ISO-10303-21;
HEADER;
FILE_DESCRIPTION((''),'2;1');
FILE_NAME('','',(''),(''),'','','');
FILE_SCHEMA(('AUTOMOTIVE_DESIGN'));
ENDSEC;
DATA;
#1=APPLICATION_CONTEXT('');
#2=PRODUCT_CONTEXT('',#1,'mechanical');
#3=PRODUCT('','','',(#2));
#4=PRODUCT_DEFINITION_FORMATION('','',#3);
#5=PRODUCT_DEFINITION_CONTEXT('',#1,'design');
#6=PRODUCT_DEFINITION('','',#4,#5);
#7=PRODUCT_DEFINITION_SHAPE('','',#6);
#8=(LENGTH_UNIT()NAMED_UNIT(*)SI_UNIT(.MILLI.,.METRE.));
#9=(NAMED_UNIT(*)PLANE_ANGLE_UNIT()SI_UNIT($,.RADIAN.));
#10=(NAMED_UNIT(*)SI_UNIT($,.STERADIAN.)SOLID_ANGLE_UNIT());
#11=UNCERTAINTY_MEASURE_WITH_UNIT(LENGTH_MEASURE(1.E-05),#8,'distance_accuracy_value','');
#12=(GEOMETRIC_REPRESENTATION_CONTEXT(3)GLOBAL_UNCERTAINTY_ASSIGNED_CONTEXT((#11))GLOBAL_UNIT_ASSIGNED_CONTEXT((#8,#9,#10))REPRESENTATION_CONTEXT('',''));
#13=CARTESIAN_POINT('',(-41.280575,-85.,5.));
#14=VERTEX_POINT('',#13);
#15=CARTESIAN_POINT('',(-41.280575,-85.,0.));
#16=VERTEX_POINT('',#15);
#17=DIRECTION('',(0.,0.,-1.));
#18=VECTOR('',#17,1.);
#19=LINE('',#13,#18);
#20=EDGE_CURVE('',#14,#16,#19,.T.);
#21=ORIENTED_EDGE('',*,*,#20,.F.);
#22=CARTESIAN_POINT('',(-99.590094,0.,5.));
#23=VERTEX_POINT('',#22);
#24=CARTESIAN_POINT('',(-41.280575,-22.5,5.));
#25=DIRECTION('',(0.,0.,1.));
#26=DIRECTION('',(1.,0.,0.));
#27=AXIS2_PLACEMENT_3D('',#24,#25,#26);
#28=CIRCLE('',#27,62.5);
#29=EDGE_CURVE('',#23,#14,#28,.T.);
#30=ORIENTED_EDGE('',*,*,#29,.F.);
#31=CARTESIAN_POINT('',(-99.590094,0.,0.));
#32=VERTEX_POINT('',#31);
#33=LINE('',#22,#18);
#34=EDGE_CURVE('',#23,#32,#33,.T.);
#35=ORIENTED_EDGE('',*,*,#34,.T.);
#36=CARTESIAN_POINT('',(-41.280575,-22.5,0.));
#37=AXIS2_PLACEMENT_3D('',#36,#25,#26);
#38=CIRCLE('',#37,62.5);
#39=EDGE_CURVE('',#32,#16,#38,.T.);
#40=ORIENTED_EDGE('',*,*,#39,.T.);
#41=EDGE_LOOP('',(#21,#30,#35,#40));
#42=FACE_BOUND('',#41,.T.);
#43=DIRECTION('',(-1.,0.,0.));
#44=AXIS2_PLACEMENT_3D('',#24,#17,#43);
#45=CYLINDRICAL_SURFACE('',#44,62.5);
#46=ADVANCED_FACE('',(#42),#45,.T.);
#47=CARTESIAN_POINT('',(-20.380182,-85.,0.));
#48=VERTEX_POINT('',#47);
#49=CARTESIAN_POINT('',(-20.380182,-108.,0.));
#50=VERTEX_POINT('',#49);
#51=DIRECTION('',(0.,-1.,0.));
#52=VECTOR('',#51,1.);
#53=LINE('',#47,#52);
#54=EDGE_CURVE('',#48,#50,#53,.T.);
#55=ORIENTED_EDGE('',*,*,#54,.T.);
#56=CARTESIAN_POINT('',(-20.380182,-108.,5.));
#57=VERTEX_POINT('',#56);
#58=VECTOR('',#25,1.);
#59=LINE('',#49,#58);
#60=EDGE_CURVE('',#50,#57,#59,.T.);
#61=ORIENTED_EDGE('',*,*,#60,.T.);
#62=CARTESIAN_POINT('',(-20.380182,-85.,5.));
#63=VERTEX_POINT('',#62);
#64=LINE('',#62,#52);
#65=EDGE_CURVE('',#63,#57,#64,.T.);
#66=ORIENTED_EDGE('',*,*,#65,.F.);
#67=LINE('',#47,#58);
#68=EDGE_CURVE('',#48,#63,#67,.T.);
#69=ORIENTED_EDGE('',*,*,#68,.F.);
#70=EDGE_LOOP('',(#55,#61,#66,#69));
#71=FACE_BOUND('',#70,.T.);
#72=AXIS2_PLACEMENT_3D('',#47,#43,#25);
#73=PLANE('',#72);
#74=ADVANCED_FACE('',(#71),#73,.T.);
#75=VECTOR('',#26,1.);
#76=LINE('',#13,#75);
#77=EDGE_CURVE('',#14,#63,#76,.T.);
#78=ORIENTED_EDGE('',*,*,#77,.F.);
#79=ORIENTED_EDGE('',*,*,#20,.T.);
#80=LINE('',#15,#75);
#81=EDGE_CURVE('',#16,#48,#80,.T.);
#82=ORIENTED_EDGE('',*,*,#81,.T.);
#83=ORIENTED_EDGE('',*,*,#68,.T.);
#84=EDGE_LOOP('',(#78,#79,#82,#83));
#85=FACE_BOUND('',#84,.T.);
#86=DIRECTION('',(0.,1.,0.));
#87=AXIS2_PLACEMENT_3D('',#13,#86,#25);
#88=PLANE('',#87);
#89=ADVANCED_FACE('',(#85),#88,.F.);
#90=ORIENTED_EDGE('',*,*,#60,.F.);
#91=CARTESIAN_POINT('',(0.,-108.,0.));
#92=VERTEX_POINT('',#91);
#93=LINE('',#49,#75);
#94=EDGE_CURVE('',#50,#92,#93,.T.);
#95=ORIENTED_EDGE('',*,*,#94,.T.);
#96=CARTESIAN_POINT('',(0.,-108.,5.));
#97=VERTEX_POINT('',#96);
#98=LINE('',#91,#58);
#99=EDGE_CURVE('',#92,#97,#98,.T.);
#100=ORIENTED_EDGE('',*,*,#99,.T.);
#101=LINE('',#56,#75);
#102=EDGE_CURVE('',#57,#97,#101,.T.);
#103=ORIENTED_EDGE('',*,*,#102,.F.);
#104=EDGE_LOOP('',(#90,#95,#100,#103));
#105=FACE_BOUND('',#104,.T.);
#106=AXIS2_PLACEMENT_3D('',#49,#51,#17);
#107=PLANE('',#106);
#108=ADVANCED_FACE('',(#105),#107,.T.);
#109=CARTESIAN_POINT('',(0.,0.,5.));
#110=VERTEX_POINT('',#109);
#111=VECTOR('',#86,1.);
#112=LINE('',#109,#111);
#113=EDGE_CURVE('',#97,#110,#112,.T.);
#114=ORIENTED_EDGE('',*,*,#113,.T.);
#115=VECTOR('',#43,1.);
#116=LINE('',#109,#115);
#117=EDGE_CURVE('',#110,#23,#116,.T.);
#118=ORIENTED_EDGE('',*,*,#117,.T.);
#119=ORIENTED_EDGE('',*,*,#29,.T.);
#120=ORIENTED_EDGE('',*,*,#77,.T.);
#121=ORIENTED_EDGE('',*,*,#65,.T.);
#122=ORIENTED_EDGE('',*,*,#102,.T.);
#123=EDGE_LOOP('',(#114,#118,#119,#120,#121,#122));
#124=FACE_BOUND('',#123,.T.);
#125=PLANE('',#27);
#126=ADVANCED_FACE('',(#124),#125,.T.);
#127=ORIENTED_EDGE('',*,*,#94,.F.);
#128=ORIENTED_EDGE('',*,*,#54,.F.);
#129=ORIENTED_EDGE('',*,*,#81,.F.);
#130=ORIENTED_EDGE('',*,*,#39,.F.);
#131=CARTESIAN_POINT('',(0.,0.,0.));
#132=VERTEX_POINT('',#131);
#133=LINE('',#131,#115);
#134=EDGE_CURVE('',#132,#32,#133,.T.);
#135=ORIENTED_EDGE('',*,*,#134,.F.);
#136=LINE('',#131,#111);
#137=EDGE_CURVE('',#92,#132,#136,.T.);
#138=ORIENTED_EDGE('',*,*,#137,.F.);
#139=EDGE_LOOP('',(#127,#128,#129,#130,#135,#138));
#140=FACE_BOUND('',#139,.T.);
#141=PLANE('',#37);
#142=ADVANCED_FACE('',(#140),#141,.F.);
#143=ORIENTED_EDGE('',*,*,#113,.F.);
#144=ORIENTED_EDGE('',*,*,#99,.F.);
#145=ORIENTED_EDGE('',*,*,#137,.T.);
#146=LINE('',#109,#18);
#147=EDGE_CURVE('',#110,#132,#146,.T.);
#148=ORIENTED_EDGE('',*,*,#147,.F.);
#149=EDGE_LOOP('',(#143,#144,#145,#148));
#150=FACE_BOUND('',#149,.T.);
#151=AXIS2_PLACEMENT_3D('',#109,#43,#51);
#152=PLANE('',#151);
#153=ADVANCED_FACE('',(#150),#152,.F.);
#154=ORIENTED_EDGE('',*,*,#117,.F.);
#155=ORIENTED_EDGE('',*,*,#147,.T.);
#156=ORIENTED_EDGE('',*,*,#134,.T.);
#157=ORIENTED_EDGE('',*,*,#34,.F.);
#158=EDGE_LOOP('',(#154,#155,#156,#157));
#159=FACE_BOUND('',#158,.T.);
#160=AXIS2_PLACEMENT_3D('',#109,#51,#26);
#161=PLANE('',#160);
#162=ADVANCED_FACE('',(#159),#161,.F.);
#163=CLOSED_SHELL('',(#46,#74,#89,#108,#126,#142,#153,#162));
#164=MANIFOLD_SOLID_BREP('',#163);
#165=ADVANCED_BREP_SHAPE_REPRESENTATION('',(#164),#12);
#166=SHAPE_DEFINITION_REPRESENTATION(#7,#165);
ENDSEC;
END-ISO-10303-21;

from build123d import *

# Parameters (mm, degrees)
BOSS_EXTRUDE1_DEPTH = 5
SKETCH2_W           = 20.380182207
SKETCH2_H           = 23
BOSS_EXTRUDE2_DEPTH = 5


with BuildPart() as part:
    # Sketch1 → Boss-Extrude1 (new body)
    with BuildSketch(Plane.XY):
        with BuildLine():
            Line((0, 0), (0, -85))
            Line((0, -85), (-41.280574715, -85))
            ThreePointArc((-41.280574715, -85), (-92.819395035, -57.855339059), (-99.590093663, 0))
            Line((-99.590093663, 0), (0, 0))
        make_face()
    extrude(amount=BOSS_EXTRUDE1_DEPTH)

    # Sketch2 → Boss-Extrude2 (add)
    with BuildSketch(Plane.XY.offset(5)):
        with Locations((-10.190091104, -96.5)):
            Rectangle(SKETCH2_W, SKETCH2_H)
    extrude(amount=-BOSS_EXTRUDE2_DEPTH)


solid = part.part
